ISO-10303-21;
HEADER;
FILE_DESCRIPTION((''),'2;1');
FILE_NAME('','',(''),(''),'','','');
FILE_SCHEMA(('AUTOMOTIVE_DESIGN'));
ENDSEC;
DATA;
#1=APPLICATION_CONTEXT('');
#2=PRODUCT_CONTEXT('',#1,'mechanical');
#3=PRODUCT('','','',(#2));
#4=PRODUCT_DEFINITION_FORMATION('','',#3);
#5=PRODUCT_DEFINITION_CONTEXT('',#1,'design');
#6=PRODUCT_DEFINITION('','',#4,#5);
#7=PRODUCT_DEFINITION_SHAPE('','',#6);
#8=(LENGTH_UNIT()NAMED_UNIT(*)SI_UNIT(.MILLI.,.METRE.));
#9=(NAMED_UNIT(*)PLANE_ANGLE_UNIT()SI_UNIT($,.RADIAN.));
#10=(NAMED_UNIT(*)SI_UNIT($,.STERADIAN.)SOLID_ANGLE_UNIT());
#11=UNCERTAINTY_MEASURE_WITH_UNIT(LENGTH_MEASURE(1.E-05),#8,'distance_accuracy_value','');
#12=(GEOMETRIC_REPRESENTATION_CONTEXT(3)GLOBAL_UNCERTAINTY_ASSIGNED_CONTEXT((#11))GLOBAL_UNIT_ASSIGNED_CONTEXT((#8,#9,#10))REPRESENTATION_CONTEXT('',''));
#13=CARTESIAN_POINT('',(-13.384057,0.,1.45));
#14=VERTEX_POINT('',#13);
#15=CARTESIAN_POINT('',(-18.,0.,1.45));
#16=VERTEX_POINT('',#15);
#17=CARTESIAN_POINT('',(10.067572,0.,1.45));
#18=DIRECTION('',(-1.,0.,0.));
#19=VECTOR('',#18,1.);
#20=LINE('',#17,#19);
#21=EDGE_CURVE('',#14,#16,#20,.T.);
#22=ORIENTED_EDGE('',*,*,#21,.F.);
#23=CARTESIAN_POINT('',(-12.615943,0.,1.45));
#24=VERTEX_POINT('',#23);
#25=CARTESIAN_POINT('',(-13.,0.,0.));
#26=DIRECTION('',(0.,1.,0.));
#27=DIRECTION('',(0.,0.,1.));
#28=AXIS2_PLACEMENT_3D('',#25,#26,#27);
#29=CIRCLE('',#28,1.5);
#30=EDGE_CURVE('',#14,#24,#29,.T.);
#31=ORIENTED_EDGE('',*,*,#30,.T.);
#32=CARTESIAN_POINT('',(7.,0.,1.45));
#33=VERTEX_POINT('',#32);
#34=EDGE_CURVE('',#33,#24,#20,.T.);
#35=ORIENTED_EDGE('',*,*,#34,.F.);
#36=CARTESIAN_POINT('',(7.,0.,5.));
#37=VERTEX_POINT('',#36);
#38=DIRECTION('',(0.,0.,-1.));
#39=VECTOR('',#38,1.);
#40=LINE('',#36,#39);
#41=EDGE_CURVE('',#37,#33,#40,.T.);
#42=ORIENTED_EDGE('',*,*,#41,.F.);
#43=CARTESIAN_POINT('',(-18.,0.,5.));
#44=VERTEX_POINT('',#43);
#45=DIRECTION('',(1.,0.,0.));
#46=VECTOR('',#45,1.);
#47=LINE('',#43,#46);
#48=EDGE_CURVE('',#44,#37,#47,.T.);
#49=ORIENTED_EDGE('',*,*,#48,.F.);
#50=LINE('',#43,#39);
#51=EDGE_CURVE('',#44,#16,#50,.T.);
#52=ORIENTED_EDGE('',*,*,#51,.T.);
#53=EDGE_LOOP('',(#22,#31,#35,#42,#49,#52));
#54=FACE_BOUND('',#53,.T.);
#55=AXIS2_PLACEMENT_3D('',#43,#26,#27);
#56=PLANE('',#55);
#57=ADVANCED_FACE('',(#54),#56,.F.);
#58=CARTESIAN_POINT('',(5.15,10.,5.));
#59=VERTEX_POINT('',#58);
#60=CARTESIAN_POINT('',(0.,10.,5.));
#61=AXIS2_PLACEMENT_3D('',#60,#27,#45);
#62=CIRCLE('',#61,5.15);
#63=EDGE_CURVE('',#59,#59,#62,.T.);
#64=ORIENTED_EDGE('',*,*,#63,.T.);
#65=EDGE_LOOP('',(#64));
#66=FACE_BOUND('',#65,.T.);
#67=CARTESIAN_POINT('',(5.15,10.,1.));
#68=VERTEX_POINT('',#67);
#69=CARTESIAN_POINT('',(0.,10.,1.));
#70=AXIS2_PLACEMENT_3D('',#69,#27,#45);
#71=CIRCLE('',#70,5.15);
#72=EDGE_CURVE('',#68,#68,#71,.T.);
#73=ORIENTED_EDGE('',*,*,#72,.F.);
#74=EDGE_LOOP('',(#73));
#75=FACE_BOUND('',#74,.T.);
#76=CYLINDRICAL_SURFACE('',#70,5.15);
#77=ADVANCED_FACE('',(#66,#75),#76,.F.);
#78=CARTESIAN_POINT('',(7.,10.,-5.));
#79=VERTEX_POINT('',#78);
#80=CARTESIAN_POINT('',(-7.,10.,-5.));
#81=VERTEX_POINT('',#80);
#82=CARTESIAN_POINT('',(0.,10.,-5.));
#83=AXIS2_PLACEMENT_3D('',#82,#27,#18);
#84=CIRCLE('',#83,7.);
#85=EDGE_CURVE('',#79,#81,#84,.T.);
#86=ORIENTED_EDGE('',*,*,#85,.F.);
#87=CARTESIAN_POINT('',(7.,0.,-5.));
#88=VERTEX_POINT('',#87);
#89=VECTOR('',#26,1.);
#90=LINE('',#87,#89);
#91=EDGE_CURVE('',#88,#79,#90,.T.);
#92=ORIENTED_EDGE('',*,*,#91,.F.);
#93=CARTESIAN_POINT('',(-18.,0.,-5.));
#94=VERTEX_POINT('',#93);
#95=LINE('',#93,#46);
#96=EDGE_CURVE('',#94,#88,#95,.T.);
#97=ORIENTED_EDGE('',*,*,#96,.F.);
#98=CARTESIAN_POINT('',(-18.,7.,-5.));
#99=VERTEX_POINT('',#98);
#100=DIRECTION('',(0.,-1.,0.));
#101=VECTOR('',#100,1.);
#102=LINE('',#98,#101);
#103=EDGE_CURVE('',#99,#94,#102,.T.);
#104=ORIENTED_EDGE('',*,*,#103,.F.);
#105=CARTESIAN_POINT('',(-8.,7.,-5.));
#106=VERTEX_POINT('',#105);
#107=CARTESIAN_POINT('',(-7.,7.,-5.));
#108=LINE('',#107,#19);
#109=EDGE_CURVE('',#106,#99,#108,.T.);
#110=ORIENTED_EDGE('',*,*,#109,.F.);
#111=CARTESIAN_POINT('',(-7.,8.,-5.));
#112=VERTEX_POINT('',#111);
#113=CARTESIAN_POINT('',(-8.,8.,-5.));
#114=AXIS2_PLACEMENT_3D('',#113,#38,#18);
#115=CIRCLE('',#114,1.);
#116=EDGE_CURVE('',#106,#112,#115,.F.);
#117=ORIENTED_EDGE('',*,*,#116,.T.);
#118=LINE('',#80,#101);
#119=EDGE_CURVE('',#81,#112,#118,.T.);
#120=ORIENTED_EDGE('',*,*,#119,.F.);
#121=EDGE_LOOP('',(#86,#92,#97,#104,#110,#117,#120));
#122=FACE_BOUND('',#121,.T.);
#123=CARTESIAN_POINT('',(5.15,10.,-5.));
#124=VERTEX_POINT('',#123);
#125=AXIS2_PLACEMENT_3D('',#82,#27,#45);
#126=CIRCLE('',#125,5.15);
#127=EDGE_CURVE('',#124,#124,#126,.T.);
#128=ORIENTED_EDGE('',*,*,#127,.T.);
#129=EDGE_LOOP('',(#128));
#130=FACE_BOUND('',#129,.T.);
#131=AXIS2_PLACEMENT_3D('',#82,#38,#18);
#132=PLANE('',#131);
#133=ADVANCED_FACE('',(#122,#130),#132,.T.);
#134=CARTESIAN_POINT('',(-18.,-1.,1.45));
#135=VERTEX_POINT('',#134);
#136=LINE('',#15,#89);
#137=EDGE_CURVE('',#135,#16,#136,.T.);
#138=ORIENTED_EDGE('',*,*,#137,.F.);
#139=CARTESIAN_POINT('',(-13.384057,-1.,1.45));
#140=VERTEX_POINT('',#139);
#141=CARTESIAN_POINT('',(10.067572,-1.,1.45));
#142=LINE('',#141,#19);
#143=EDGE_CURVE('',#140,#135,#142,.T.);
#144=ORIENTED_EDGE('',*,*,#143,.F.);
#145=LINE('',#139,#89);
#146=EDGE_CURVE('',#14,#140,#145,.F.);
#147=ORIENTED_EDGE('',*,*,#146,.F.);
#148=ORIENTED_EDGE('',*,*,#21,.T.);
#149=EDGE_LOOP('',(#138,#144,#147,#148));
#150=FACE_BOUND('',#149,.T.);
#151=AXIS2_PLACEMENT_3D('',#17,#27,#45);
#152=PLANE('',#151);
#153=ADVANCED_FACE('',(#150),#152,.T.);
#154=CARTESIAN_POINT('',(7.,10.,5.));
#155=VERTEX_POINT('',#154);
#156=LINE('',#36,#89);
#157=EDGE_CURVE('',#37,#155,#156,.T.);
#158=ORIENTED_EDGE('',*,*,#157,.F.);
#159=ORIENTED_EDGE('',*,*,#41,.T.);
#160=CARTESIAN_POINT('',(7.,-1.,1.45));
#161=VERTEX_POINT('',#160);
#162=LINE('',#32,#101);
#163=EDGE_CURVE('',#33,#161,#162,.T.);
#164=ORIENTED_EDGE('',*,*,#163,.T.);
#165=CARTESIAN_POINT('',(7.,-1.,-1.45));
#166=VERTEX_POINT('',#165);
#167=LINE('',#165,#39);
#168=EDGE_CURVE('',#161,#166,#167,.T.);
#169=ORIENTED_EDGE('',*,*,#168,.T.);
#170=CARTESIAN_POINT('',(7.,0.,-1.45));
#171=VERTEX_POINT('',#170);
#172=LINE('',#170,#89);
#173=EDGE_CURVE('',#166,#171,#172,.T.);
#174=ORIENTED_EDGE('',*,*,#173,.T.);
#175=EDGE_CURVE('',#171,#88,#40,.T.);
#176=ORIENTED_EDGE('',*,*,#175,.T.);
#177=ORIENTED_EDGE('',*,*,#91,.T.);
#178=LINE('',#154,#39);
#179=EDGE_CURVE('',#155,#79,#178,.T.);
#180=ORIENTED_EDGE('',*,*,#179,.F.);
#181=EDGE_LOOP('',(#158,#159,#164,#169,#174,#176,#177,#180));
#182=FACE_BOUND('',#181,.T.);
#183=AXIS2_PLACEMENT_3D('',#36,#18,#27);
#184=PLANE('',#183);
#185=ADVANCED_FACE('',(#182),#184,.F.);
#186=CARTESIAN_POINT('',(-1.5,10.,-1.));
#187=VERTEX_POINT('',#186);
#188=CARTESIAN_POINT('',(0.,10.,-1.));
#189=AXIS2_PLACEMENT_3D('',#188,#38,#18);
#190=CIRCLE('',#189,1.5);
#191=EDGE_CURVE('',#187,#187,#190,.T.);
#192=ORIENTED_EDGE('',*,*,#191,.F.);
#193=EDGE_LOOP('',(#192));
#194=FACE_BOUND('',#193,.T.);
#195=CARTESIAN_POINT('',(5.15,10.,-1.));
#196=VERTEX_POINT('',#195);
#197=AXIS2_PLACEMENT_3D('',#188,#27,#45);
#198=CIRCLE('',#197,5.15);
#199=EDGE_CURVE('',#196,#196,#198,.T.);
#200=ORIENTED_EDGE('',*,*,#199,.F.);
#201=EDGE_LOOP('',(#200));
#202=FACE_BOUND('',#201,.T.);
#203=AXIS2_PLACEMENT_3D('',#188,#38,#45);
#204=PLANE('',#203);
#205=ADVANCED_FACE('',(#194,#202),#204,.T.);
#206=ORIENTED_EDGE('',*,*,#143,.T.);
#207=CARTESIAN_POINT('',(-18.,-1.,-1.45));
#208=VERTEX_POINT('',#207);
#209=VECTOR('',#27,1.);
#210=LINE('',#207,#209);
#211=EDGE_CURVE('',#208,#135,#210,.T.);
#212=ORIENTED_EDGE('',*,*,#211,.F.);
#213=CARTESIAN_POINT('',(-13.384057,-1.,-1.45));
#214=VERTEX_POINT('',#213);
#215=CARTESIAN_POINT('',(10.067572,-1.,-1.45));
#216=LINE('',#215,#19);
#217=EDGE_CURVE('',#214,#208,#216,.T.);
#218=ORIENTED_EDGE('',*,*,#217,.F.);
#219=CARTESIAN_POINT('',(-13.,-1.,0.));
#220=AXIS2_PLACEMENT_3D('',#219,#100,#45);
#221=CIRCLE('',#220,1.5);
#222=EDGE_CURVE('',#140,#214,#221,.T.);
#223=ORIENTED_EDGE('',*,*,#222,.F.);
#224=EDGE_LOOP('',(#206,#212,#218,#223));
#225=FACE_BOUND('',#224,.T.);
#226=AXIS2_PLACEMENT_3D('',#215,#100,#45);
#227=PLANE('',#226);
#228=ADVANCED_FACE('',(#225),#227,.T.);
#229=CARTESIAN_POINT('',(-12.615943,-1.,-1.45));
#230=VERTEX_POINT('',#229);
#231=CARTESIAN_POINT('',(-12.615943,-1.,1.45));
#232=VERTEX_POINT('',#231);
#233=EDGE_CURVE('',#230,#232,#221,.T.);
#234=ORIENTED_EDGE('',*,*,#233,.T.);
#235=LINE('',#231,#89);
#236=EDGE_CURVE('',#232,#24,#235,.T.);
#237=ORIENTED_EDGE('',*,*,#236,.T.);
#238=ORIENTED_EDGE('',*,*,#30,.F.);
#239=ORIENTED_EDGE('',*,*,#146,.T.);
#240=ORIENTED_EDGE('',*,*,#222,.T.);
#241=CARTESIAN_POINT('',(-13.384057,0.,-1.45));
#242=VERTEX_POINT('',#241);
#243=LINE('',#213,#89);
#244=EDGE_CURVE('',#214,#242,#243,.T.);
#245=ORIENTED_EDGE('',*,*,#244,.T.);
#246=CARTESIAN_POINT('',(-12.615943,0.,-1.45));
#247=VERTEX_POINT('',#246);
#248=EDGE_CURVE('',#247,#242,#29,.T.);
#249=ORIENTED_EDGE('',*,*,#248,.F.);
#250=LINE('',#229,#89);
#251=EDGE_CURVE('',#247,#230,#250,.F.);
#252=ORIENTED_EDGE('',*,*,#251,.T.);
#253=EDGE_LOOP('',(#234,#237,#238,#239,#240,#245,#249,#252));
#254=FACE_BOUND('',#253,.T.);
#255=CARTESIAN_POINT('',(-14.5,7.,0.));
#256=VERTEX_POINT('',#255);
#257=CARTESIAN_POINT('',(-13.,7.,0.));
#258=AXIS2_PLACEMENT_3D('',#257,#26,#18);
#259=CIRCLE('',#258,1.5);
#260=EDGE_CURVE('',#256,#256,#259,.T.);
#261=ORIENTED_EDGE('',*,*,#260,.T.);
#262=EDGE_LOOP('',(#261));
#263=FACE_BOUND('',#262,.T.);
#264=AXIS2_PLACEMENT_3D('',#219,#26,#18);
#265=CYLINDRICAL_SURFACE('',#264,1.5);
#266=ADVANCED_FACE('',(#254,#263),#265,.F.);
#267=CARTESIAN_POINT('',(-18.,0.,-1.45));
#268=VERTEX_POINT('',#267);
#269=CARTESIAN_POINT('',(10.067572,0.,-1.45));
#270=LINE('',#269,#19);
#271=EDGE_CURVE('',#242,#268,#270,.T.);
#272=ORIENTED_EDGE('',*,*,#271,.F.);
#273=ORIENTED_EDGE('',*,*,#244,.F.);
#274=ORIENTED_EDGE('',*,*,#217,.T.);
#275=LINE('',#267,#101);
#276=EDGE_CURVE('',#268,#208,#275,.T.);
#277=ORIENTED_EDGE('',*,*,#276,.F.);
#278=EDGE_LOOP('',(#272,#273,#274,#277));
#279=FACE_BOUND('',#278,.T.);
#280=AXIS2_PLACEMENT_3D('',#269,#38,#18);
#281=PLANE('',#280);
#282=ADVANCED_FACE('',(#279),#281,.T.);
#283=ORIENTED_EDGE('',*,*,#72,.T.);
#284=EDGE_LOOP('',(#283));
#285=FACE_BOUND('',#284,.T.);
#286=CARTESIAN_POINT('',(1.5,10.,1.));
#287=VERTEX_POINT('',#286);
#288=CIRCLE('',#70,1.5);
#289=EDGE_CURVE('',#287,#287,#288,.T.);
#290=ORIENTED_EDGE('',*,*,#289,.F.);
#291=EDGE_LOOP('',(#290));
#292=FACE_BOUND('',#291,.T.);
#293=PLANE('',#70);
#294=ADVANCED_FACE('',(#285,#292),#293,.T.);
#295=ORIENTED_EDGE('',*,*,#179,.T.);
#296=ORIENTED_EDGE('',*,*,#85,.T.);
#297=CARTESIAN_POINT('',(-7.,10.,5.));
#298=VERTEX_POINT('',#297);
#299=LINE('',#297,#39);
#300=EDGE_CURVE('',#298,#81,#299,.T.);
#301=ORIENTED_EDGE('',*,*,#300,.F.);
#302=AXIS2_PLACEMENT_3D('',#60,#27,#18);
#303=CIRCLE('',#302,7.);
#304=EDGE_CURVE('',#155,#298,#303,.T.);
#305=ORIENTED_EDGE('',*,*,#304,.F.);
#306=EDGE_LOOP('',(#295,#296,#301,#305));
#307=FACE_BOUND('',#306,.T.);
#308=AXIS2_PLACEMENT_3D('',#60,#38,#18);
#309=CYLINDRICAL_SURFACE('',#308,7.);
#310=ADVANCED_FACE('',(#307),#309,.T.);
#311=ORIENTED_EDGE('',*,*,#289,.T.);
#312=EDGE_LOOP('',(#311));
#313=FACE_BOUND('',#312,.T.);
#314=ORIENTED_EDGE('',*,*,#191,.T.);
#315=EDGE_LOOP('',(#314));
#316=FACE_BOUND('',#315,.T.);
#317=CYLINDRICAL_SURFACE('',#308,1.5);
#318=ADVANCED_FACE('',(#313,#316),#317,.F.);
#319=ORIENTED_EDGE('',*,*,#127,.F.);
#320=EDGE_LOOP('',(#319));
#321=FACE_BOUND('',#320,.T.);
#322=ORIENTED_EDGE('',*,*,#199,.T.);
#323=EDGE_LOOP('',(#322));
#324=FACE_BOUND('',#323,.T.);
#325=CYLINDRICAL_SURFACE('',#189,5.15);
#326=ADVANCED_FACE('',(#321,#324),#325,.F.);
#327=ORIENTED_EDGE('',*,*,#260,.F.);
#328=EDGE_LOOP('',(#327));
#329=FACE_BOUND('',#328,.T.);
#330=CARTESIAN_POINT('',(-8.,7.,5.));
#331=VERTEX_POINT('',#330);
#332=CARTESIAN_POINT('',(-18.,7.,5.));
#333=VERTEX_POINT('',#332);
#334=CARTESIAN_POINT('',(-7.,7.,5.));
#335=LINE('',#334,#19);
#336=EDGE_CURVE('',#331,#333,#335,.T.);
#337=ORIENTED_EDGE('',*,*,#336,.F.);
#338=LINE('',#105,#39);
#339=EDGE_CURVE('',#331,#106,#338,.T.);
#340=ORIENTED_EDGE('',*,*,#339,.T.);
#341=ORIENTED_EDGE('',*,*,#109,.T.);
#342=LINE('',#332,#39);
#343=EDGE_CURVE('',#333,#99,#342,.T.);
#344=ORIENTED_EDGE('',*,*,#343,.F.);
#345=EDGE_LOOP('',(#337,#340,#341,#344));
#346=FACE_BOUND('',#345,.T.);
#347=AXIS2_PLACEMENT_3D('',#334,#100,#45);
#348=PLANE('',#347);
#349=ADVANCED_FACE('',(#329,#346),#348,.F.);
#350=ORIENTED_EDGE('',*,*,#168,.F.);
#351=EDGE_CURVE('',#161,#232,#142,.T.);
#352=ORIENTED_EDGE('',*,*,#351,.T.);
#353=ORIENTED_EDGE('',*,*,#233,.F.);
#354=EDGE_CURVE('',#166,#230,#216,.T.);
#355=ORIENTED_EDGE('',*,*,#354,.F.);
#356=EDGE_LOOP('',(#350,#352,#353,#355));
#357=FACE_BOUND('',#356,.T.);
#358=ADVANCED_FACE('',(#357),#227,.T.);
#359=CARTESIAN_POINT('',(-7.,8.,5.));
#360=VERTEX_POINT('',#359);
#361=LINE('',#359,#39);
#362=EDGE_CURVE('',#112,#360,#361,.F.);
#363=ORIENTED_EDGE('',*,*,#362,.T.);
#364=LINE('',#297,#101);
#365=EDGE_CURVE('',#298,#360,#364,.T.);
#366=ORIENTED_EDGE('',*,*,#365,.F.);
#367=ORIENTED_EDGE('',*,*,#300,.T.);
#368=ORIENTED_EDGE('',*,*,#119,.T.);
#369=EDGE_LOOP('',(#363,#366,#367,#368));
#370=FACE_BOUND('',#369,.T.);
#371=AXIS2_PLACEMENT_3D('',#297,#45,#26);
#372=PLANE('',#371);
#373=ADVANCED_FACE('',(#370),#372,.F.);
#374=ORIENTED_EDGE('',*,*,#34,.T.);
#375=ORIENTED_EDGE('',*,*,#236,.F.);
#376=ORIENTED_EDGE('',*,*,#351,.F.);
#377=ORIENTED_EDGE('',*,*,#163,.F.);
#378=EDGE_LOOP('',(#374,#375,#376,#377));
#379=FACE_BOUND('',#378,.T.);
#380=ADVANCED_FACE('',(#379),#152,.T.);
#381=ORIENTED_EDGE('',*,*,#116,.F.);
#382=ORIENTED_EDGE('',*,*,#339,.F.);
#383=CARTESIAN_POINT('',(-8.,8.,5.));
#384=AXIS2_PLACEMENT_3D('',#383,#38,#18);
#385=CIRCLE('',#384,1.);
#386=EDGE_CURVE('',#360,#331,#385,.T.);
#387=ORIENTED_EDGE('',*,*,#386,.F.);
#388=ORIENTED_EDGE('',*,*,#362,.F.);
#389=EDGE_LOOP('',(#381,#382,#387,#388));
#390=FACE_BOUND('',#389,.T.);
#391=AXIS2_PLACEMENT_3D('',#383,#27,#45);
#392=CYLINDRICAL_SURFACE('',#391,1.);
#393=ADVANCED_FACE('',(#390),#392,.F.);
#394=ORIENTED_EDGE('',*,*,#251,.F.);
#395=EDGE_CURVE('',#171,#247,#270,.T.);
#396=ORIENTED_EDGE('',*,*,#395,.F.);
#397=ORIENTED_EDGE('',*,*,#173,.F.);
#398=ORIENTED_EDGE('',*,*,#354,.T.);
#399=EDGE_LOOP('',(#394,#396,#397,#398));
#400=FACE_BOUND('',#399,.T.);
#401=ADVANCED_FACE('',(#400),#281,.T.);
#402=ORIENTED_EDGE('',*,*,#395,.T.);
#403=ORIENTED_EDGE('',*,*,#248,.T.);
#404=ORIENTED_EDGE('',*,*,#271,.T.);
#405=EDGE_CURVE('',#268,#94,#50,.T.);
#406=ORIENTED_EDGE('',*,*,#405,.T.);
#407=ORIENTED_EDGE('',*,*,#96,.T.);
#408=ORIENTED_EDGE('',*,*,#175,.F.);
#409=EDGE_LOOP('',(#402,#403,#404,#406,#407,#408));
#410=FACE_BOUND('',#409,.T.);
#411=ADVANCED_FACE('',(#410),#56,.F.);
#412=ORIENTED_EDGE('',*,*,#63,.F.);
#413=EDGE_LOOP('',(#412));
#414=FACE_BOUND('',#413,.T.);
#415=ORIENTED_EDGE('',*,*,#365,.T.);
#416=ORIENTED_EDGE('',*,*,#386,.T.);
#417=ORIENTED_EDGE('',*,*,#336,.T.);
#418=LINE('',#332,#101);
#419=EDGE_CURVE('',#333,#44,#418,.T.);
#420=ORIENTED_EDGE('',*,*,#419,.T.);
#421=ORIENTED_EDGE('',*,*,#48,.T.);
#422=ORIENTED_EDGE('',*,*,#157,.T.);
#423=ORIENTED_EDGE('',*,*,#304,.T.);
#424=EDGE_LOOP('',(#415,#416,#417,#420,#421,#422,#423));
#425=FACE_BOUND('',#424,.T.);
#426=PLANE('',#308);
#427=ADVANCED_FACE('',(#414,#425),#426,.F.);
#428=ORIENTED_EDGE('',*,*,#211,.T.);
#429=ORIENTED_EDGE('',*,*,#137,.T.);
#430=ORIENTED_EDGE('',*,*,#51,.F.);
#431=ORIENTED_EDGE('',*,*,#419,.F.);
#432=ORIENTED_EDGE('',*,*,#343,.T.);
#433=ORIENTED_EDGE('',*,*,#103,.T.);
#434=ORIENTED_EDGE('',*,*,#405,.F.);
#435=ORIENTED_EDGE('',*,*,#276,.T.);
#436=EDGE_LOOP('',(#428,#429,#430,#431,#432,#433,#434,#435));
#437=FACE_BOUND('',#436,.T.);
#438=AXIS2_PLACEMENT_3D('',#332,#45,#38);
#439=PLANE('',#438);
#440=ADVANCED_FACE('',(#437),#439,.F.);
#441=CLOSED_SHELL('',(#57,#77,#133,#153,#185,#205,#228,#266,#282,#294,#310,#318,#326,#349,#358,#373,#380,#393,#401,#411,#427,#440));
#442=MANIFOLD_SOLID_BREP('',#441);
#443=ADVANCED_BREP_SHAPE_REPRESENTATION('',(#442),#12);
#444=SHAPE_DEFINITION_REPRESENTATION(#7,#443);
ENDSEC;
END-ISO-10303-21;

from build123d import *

# Parameters (mm, degrees)
SKETCH1_R              = 1.5
MAIN_DEPTH             = 5
SKETCH3_W              = 2.9
SKETCH3_H              = 1
MAKERBEAMRAIL_DEPTH    = 25
SKETCH2_R              = 1.5
MAKERBEAMFIXHOLE_DEPTH = 9
SKETCH4_R              = 5.15
ROLLINGHOLE_DEPTH      = 4
FILLET1_R              = 1


with BuildPart() as part:
    # Sketch1 → Main (new body, symmetric)
    with BuildSketch(Plane.XY):
        with BuildLine():
            Line((-18, 0), (7, 0))
            Line((7, 0), (7, 10))
            ThreePointArc((7, 10), (0, 17), (-7, 10))
            Line((-7, 10), (-7, 7))
            Line((-7, 7), (-18, 7))
            Line((-18, 7), (-18, 0))
        make_face()
        with Locations((0, 10)):
            Circle(SKETCH1_R, mode=Mode.SUBTRACT)
    extrude(amount=MAIN_DEPTH, both=True)

    # Sketch3 → MakerBeamRail (add)
    with BuildSketch(Plane.ZY.offset(18)):
        with Locations((0, -0.5)):
            Rectangle(SKETCH3_W, SKETCH3_H)
    extrude(amount=-MAKERBEAMRAIL_DEPTH)

    # Sketch2 → MakerBeamFixHole (cut, through all)
    with BuildSketch(Plane(origin=(0, 7, 0), x_dir=(1, 0, 0), z_dir=(0, 1, 0))):
        with Locations((-13, 0)):
            Circle(SKETCH2_R)
    extrude(amount=-MAKERBEAMFIXHOLE_DEPTH, mode=Mode.SUBTRACT)

    # Sketch4 → RollingHole (cut)
    with BuildSketch(Plane.XY.offset(5)):
        with Locations((0, 10)):
            Circle(SKETCH4_R)
    rollinghole = extrude(amount=-ROLLINGHOLE_DEPTH, mode=Mode.SUBTRACT)

    # MirrorRollingHole: RollingHole across plane
    add(rollinghole.mirror(Plane.XY), mode=Mode.SUBTRACT)

    # Fillet1
    fillet1_edges = [part.edges().sort_by_distance(p)[0] for p in [
        (-7, 7, 0),
    ]]
    fillet(fillet1_edges, radius=FILLET1_R)


solid = part.part
